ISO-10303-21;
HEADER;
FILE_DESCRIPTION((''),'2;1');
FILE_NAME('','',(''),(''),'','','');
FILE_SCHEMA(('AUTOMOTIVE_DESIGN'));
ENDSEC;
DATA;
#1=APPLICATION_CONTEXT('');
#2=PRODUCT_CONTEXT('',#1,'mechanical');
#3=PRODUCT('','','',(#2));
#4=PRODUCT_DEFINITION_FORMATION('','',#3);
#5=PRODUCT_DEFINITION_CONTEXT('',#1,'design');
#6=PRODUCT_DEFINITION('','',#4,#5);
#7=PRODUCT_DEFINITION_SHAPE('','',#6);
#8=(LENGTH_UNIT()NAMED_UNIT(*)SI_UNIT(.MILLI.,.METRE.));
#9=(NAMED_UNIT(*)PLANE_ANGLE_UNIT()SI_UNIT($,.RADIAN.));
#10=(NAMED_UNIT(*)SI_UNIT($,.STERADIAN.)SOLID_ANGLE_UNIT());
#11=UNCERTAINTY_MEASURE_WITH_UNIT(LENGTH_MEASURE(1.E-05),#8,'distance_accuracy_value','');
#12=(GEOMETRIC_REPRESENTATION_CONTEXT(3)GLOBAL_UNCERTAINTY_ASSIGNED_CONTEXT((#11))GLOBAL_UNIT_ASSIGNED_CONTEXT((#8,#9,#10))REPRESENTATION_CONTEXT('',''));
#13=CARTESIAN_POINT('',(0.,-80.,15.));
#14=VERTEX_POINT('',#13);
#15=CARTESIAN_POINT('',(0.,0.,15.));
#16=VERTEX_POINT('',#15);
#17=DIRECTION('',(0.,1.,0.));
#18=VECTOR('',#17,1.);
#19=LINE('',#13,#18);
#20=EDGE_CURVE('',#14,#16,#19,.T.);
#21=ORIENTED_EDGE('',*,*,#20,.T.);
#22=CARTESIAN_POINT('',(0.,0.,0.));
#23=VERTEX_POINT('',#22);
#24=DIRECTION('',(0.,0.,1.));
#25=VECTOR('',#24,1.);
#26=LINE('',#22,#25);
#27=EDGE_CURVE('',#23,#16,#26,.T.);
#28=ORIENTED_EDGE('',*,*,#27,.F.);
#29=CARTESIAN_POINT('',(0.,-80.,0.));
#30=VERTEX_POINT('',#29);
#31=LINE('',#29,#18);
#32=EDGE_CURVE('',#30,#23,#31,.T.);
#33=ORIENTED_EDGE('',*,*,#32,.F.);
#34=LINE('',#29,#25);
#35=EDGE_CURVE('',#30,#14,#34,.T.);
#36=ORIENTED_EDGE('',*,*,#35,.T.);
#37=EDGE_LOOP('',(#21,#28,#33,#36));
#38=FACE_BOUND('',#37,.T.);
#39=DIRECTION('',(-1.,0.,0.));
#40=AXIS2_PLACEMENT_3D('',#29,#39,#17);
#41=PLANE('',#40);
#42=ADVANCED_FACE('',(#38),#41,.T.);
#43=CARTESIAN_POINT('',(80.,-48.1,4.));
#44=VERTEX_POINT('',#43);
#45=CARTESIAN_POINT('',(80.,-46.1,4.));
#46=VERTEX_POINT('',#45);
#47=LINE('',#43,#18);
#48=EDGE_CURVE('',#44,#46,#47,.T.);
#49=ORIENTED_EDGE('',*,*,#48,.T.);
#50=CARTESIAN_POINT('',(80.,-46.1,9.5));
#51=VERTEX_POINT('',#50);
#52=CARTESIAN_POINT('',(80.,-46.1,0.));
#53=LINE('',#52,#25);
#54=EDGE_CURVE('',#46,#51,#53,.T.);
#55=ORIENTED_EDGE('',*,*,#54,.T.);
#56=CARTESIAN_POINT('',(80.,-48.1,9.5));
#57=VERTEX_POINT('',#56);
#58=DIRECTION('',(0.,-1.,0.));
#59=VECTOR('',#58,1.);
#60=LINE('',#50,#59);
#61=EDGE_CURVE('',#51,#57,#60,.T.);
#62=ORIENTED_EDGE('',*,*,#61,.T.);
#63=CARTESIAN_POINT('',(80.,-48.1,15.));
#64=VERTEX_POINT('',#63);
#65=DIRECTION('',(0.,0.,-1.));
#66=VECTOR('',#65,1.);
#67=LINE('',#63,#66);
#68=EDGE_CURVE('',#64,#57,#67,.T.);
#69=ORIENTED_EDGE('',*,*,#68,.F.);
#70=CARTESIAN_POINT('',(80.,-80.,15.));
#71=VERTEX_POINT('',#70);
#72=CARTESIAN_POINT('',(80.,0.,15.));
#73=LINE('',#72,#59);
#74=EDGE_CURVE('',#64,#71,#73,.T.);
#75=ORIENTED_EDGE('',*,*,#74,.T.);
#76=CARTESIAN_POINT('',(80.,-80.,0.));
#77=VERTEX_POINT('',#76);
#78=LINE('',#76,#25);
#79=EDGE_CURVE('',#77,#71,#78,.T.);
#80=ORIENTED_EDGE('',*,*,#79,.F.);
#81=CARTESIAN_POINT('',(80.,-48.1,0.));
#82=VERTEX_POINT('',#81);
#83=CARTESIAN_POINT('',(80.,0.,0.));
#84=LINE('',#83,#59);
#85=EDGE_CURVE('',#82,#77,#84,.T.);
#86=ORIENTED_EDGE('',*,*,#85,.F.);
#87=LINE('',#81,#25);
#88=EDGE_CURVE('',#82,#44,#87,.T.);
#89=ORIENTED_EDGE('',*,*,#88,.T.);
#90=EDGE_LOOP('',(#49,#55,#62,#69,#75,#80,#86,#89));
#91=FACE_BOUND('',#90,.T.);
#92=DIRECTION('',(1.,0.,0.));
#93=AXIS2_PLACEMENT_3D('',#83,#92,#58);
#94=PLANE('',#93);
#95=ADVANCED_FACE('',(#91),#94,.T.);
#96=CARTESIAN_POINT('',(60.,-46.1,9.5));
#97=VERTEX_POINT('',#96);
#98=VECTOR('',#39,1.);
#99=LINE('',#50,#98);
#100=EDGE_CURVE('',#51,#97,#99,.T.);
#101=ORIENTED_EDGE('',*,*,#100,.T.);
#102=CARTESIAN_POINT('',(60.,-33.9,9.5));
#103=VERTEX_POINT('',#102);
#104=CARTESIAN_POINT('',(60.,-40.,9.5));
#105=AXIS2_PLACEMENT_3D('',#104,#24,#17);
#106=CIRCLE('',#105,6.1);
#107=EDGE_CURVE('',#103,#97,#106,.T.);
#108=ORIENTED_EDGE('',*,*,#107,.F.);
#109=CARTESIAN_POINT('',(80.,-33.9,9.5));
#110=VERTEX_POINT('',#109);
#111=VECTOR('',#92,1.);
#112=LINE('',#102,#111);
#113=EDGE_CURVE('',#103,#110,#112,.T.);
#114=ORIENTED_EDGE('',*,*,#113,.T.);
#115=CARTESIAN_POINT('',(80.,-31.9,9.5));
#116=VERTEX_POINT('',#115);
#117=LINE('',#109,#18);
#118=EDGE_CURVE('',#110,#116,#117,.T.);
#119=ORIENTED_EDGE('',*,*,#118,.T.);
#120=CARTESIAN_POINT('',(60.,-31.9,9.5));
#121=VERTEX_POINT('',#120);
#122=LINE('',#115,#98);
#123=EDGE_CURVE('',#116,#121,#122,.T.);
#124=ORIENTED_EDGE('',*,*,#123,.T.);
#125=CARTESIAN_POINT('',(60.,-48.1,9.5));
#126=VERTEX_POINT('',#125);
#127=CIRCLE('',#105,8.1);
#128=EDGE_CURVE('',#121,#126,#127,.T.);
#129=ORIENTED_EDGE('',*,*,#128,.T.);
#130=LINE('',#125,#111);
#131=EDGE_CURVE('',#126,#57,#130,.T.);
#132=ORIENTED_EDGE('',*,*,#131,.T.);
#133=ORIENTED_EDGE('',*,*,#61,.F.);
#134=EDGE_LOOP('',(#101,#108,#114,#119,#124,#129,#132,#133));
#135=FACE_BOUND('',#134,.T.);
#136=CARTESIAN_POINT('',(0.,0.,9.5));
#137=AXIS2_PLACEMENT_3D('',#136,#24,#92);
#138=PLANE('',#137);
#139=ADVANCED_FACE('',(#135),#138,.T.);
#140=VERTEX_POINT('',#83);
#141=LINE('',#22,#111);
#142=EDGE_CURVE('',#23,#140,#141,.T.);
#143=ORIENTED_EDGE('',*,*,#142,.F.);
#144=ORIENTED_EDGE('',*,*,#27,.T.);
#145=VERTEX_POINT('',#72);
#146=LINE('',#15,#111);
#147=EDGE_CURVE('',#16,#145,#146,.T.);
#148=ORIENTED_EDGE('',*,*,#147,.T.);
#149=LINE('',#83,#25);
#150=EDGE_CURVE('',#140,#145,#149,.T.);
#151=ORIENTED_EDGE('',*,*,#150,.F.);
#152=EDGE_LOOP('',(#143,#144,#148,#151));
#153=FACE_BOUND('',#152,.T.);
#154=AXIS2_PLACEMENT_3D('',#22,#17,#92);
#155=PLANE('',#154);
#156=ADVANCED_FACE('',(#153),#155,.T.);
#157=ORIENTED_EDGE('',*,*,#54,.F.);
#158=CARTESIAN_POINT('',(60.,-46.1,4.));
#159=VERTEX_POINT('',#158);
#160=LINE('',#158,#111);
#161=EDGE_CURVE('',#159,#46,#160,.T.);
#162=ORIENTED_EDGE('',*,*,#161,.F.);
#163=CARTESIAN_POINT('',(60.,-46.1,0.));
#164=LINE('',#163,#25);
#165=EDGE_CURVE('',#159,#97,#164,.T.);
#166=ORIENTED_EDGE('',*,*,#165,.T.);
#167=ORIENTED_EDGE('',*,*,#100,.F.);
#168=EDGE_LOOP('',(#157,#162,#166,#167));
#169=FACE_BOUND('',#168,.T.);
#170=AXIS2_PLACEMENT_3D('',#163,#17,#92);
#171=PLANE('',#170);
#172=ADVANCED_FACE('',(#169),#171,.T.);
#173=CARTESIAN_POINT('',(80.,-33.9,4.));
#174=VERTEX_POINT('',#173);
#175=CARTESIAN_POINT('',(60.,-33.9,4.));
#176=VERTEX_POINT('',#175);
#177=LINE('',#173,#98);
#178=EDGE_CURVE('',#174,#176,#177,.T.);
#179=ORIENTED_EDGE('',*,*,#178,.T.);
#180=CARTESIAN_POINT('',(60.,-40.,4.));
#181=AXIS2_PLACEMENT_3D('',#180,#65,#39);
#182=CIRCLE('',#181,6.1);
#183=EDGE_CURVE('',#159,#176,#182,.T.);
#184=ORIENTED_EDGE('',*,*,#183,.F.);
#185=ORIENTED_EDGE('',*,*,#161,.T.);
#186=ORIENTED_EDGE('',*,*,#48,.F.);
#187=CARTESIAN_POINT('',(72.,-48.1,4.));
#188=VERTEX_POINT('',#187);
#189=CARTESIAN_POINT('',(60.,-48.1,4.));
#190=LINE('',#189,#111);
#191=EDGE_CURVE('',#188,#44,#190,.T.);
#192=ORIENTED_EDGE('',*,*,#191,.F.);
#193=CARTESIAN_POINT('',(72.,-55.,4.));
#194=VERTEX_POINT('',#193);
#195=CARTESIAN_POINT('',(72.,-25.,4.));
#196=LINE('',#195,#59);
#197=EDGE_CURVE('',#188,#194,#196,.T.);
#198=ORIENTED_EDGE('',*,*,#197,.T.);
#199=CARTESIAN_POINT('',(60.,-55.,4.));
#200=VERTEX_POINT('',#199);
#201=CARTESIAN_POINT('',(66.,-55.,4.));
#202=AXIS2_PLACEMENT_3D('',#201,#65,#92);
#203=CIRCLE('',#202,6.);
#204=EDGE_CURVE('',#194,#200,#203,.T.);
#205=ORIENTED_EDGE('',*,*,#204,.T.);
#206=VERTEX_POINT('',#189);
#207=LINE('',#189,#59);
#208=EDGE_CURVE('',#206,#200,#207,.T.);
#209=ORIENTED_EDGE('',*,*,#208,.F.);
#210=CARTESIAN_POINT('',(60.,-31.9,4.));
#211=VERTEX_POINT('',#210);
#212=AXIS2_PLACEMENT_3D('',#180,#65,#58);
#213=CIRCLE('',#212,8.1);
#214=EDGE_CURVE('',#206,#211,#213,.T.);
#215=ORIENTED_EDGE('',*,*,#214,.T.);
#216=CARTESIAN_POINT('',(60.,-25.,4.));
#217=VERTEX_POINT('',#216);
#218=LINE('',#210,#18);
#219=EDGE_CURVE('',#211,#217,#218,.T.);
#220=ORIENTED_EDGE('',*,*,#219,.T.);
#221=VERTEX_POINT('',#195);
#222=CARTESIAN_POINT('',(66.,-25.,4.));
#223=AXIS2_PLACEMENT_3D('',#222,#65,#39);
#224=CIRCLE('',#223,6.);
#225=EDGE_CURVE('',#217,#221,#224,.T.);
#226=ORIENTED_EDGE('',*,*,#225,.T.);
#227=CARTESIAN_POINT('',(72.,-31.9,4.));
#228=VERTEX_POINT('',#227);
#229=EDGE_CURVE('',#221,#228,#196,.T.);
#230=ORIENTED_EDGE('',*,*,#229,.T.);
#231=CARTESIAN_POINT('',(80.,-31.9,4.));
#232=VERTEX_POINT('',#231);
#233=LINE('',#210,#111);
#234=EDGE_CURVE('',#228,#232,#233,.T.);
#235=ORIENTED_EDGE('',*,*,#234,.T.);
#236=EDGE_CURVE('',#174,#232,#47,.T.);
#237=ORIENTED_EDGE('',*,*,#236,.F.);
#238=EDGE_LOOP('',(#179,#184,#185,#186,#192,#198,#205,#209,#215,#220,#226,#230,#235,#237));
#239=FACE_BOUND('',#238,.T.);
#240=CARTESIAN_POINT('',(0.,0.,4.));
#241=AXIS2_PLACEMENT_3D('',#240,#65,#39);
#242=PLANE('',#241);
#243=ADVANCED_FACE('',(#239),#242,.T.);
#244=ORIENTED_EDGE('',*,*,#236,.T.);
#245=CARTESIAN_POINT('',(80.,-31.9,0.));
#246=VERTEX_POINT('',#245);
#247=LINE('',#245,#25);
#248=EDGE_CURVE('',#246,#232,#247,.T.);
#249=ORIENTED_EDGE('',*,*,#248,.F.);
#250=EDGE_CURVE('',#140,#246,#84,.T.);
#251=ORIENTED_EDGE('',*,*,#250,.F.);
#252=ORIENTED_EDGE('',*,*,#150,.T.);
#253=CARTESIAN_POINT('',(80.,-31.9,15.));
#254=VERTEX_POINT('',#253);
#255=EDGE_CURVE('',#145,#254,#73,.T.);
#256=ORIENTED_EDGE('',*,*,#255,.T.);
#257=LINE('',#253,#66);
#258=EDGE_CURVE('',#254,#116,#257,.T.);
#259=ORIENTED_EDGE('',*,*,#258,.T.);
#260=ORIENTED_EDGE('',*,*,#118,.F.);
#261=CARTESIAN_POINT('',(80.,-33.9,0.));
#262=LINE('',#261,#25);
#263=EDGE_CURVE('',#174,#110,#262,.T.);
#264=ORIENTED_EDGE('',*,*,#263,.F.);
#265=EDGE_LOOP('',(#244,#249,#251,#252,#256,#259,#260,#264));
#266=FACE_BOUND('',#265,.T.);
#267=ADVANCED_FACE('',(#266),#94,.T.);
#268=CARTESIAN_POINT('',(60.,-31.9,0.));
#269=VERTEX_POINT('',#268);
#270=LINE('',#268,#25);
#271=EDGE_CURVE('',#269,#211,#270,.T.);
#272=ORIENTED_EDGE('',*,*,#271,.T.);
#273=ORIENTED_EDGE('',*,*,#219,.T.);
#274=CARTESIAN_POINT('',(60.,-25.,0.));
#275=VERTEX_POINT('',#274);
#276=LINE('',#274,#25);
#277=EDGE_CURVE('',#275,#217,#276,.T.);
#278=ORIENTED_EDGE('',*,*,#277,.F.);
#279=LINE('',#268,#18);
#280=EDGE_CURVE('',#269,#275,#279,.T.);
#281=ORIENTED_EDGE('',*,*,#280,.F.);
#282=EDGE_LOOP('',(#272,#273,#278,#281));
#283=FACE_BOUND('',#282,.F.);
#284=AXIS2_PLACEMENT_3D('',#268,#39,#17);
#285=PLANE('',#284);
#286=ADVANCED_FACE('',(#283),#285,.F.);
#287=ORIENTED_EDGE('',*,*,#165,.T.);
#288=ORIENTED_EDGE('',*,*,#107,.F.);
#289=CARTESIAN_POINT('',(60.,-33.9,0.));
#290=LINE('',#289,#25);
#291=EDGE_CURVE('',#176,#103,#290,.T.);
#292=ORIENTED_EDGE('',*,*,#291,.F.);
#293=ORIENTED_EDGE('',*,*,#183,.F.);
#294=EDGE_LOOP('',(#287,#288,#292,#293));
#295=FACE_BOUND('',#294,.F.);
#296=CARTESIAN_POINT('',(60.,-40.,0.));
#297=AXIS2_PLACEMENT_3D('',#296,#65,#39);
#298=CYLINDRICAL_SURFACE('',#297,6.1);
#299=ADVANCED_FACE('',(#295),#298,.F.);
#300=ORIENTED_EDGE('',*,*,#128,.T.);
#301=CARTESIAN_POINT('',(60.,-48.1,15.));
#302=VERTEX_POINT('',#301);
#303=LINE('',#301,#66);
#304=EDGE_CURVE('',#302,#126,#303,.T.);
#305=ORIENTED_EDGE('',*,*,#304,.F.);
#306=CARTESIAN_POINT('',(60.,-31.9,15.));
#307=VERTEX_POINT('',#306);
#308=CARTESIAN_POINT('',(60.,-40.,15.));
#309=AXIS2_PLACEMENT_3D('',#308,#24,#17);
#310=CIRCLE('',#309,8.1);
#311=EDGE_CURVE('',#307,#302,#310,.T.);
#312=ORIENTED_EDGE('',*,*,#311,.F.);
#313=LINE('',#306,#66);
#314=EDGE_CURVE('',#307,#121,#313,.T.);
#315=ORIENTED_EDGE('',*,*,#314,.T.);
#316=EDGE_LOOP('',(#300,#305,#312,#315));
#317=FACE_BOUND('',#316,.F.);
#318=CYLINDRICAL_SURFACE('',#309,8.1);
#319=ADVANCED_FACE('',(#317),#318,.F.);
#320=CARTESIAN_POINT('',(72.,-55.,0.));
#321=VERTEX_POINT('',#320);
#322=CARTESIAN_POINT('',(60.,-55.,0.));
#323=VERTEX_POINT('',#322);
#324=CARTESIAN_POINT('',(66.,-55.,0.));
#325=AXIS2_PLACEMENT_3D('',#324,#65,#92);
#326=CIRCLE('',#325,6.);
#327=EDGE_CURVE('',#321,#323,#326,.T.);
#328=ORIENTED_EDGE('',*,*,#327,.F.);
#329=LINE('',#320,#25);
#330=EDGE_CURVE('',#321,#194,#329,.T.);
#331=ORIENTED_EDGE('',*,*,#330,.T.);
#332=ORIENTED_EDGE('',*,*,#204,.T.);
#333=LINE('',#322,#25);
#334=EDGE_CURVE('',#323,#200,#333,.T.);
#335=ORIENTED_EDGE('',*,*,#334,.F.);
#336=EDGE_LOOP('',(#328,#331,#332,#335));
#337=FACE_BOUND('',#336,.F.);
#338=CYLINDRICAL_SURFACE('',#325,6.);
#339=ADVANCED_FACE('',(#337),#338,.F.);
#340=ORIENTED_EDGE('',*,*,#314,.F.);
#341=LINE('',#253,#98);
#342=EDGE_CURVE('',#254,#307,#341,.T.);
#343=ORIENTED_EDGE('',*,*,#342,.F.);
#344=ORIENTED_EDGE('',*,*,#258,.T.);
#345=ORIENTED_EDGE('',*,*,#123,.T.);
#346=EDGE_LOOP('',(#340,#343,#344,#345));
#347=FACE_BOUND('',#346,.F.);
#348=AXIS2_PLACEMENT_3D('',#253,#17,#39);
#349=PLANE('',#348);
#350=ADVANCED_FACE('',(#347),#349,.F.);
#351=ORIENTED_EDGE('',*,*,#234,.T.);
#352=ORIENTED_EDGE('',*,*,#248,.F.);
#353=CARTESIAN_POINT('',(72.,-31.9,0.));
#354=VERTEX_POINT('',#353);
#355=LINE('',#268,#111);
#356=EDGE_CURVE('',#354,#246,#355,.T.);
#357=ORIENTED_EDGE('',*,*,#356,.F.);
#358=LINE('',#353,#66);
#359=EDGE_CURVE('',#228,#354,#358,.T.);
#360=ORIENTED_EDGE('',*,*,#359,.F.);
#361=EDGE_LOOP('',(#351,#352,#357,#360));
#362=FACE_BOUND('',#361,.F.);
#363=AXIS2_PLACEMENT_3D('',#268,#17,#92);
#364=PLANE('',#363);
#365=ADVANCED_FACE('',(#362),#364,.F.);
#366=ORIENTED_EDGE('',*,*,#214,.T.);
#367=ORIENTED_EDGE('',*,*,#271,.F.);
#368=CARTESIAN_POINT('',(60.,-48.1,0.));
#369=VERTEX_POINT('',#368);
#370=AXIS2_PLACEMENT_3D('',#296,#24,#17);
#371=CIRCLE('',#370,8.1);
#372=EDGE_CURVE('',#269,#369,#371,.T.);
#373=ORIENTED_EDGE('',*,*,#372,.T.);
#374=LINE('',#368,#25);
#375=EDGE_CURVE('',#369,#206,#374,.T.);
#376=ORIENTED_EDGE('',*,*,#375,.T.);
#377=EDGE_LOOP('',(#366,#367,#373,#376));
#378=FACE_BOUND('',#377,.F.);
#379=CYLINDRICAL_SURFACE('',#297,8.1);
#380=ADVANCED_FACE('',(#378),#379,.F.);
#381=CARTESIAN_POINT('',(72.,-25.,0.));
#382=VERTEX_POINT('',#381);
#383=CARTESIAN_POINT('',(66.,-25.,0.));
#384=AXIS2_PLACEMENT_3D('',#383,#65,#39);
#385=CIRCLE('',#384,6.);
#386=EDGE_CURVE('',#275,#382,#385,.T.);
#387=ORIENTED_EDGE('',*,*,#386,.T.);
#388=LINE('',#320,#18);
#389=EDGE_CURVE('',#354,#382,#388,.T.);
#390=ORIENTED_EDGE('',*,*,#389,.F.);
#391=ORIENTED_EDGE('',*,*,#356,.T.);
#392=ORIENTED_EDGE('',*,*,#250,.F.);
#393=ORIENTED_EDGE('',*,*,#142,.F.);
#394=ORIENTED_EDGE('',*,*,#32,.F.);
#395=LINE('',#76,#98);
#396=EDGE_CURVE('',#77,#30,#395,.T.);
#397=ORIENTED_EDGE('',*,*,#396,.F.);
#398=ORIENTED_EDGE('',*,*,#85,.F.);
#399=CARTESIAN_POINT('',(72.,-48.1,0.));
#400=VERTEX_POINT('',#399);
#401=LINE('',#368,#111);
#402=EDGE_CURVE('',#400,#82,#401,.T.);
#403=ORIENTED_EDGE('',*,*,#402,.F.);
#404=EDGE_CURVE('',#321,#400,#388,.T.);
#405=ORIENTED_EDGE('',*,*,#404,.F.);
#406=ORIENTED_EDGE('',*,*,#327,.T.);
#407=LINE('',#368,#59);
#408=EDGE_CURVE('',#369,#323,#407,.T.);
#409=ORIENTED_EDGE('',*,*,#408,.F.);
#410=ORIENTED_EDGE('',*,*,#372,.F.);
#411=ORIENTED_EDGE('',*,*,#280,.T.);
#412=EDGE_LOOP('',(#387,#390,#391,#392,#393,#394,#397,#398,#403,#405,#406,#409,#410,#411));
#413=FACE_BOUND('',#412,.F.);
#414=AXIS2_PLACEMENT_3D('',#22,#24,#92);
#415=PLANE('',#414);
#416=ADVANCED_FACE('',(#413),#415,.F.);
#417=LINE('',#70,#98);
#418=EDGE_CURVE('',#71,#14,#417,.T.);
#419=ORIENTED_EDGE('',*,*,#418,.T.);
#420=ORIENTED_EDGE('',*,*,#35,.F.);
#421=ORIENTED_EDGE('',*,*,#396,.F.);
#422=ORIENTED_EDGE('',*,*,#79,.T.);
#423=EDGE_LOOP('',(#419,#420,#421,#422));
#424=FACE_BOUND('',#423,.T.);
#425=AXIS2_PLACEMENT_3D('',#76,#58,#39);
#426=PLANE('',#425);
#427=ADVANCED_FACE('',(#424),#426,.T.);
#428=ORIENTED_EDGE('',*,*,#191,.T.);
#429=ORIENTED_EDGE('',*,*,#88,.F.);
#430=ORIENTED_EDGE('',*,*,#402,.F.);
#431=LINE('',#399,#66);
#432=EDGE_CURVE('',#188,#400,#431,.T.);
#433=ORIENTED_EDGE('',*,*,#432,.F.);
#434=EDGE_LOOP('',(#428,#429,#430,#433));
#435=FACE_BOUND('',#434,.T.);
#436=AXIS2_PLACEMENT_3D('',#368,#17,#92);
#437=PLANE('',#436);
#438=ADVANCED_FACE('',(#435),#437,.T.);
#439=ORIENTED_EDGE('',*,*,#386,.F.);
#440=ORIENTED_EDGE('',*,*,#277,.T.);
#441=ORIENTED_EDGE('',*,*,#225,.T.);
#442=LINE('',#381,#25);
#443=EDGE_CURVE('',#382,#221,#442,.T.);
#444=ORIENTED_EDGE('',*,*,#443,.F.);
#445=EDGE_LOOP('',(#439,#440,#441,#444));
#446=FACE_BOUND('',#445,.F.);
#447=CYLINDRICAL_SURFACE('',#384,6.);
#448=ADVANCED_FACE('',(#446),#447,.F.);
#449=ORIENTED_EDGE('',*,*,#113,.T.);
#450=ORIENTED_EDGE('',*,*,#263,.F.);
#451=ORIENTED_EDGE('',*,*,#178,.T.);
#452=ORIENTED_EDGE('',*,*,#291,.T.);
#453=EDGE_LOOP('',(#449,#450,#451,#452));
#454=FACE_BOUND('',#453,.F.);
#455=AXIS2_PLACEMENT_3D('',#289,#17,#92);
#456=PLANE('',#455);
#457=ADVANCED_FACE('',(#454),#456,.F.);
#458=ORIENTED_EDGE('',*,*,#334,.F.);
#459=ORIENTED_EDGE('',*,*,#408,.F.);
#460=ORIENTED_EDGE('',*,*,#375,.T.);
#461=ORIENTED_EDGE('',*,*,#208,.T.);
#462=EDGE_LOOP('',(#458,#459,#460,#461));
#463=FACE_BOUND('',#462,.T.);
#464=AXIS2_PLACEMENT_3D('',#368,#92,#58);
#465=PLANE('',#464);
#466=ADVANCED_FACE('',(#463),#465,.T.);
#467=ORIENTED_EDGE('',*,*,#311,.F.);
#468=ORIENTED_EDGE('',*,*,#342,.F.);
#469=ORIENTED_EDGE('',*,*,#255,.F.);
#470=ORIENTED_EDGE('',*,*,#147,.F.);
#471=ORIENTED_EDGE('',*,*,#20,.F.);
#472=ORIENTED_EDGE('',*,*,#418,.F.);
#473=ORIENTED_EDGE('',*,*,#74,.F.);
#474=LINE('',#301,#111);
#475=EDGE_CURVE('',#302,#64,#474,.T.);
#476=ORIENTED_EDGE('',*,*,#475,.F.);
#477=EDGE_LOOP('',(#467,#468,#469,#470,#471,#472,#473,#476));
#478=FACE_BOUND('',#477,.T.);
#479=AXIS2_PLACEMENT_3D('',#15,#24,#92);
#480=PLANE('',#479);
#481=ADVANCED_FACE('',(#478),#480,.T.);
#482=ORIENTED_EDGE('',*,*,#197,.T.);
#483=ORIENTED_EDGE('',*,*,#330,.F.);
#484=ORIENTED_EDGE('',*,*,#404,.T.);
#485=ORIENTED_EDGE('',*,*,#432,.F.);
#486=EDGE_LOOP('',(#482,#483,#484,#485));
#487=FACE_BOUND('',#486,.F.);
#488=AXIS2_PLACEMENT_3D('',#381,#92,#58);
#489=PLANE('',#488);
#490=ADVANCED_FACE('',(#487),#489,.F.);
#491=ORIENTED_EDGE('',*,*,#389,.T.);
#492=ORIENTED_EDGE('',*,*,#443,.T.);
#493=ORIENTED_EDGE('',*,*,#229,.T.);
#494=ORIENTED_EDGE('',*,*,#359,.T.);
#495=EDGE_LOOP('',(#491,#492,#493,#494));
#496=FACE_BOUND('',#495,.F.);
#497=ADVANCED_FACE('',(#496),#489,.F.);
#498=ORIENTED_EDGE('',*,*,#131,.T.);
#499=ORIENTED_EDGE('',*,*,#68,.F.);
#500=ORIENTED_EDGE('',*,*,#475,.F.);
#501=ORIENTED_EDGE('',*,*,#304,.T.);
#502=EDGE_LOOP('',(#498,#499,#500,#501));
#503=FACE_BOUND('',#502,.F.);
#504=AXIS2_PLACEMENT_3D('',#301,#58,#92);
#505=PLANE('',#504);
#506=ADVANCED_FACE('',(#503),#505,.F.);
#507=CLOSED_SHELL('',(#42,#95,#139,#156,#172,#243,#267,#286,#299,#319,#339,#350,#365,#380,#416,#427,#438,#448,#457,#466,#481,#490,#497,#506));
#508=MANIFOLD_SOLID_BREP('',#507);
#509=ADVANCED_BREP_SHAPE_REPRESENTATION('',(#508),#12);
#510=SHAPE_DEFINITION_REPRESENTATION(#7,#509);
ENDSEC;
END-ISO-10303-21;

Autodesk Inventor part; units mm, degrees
ref_plane "YZ Plane" through (0, 0, 0) normal (1, 0, 0) x (0, 1, 0)
ref_plane "XZ Plane" through (0, 0, 0) normal (0, 1, 0) x (-1, 0, 0)
ref_plane "XY Plane" through (0, 0, 0) normal (0, 0, 1) x (1, 0, 0)
sketch "Sketch1" plane through (0, 0, 0) normal (0, 0, 1) x (1, 0, 0)
  line L0 (0, 0) -> (80, 0)
  line L1 (80, 0) -> (80, -80)
  line L2 (80, -80) -> (0, -80)
  line L3 (0, -80) -> (0, 0)
  dimension "d0" = 80
  dimension "d1" = 80
extrude "Extrusion1" add sketch "Sketch1" along normal blind 15
sketch "Sketch2" plane through (0, 0, 0) normal (0, 0, -1) x (-1, 0, 0)
  line L0 (0, 0) -> (-80, 0) projected
  circle A0 centre (-60, -40) radius 6.1
  line L1 (-80, 0) -> (-80, -80) projected
  line L2 (-60, -33.9) -> (-80, -33.9)
  line L3 (-80, -80) -> (-80, 0) projected
  line L4 (-60, -46.1) -> (-80, -46.1)
  line L5 (-80, -46.1) -> (-80, -33.9)
  dimension "d7" = 40
  dimension "d8" = 20
  dimension "d9" = 12.2
extrude "Extrusion2" cut sketch "Sketch2" against normal through all
sketch "Sketch3" plane through (0, 0, 0) normal (0, 0, -1) x (-1, 0, 0)
  arc A0 (-60, -46.1) -> (-60, -33.9) centre (-60, -40) ccw projected
  circle A1 centre (-60, -40) radius 8.1
  line L0 (-60, -31.9) -> (-80, -31.9)
  line L1 (-80, -33.9) -> (-80, 0) projected
  line L2 (-60, -48.1) -> (-80, -48.1)
  line L3 (-80, -48.1) -> (-80, -31.9)
  point P0 (0, 0)
  dimension "d12" = 16.2
extrude "Extrusion3" cut sketch "Sketch3" against normal blind 4
sketch "Sketch4" plane through (0, 0, 15) normal (0, 0, 1) x (1, 0, 0)
  line L0 (80, -31.9) -> (60, -31.9) projected
  arc A0 (60, -31.9) -> (60, -48.1) centre (60, -40) ccw projected
  line L1 (60, -48.1) -> (80, -48.1) projected
  line L2 (80, -46.1) -> (60, -46.1) projected
  arc A1 (60, -33.9) -> (60, -46.1) centre (60, -40) ccw projected
  line L3 (60, -33.9) -> (80, -33.9) projected
  line L4 (80, -33.9) -> (80, -31.9)
  line L5 (80, -33.9) -> (80, 0) projected
  line L6 (80, -46.1) -> (80, -48.1)
  line L7 (80, -80) -> (80, -46.1) projected
  point P0 (0, 0)
extrude "Extrusion4" cut sketch "Sketch4" against normal blind 5.5
sketch "Sketch5" plane through (0, 0, 0) normal (0, 0, -1) x (-1, 0, 0)
  arc A0 (-60, -46.1) -> (-60, -33.9) centre (-60, -40) ccw projected
  line L0 (-80, -31.9) -> (-60, -31.9) projected
  circle A1 centre (-60, -40) radius 8.1
  line L1 (-60, -31.9) -> (-60, -25)
  line L2 (-72, -25) -> (-72, -55)
  line L3 (-60, -48.1) -> (-60, -55)
  arc A2 (-60, -48.1) -> (-60, -31.9) centre (-60, -40) ccw projected
  line L4 (-60, -31.9) -> (-60, -31.9)
  line L5 (-60, -31.9) -> (-60, -31.9)
  line L6 (-60, -33.9) -> (-60, -46.1)
  arc A3 (-60, -25) -> (-72, -25) centre (-66, -25) ccw
  arc A4 (-72, -55) -> (-60, -55) centre (-66, -55) ccw
  point P0 (0, 0)
  dimension "d17" = 12
  dimension "d20" = 30
  dimension "d21" = 15
extrude "Extrusion5" cut sketch "Sketch5" against normal blind 4 contours L2 A3 L1 L0 | L0 A1 L3 A4 L2
equation "\"RodDiameter\" = 8"
equation "\"VerticalBearingOD\" = 16"
equation "\"PrintingClearance\" = 0.2"
properties part number "HotendMountCarriage"
